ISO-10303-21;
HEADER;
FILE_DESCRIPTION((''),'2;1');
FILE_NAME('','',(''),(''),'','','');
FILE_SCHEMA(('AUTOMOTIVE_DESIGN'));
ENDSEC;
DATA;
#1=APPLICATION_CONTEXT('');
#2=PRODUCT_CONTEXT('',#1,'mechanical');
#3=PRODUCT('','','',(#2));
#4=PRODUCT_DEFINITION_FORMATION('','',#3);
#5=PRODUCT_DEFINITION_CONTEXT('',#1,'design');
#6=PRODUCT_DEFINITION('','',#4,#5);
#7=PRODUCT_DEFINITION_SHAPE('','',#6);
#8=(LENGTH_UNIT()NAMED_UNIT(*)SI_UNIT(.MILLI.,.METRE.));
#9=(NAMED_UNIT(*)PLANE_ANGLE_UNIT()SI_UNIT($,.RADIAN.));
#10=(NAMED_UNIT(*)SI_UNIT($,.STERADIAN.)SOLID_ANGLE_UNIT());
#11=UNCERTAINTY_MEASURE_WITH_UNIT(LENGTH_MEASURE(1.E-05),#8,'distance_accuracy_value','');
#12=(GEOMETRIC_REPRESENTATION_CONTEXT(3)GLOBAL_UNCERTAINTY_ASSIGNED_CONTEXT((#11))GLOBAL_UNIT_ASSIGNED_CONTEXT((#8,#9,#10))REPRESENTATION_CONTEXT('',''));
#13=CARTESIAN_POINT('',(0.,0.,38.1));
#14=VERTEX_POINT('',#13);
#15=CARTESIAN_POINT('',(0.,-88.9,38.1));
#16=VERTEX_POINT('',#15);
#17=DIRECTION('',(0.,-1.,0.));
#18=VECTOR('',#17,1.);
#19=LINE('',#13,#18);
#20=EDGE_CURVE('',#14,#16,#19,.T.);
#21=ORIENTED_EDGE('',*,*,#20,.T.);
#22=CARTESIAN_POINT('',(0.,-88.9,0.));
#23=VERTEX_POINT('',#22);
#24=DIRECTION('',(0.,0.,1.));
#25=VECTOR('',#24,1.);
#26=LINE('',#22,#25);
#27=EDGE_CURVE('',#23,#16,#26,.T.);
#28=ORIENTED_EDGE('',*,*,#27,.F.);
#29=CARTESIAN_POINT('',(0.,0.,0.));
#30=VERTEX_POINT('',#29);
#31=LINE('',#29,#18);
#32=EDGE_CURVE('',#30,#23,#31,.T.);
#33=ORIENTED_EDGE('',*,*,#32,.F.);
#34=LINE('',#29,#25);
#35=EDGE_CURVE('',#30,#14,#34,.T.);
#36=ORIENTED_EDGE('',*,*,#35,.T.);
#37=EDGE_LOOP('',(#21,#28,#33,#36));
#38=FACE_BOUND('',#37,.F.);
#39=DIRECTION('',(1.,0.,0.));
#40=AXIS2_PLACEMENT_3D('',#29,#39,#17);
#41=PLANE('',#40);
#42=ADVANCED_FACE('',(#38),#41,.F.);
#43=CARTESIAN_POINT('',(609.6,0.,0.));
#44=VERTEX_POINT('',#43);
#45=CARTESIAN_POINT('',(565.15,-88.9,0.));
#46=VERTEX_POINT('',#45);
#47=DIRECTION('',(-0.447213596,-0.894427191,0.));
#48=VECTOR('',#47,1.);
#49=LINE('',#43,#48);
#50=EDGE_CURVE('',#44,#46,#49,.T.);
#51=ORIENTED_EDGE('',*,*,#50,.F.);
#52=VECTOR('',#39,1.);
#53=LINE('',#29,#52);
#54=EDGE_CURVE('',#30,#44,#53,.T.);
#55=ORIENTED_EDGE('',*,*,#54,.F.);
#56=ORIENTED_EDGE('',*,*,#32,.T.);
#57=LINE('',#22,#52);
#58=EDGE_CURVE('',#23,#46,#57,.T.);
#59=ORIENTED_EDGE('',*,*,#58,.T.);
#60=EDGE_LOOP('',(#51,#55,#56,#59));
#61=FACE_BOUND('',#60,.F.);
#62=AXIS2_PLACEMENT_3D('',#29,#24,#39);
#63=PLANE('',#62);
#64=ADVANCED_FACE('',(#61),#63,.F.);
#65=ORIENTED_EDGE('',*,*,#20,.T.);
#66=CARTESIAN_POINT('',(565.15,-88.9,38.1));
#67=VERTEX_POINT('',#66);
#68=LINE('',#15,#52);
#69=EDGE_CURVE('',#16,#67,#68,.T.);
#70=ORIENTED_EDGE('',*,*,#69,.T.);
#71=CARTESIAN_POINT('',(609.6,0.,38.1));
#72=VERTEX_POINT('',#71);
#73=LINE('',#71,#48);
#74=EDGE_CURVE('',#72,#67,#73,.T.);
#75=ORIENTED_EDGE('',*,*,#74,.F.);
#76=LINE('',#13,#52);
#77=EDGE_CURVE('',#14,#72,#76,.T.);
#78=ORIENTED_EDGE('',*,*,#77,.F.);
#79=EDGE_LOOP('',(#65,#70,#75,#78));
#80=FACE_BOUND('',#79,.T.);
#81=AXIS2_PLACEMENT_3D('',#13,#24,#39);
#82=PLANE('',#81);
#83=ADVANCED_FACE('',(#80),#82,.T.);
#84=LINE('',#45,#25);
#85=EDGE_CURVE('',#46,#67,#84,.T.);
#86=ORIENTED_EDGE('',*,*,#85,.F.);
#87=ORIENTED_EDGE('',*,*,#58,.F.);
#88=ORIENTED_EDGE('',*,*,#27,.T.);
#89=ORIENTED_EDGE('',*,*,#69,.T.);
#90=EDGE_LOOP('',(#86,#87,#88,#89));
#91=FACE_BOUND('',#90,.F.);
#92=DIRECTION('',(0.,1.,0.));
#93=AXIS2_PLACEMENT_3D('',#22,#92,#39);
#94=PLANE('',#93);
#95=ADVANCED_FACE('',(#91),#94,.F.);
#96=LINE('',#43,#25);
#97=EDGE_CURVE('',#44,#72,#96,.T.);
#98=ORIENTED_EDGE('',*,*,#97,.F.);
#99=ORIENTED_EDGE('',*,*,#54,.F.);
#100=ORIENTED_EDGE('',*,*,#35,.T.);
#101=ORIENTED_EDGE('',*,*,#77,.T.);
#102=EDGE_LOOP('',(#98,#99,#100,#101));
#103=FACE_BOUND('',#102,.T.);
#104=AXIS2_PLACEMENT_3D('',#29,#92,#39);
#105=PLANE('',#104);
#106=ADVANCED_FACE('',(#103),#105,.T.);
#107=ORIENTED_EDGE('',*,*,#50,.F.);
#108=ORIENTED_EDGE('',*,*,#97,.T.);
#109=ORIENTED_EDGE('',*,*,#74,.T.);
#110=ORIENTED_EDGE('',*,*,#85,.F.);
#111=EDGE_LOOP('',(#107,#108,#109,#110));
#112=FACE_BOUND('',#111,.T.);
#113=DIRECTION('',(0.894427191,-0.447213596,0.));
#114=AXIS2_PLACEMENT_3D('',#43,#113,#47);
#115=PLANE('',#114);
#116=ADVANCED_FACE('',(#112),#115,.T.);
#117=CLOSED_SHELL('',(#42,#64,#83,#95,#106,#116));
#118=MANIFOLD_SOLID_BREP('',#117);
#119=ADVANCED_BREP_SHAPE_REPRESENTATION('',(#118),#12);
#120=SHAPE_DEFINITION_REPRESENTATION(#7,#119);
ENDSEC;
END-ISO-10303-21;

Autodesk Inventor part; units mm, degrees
ref_plane "YZ Plane" through (0, 0, 0) normal (1, 0, 0) x (0, 1, 0)
ref_plane "XZ Plane" through (0, 0, 0) normal (0, 1, 0) x (-1, 0, 0)
ref_plane "XY Plane" through (0, 0, 0) normal (0, 0, 1) x (1, 0, 0)
sketch "Sketch1" plane through (0, 0, 0) normal (0, 0, 1) x (1, 0, 0)
  line L0 (0, 0) -> (0, -1219.2)
  line L1 (0, 0) -> (609.6, 0)
  line L2 (609.6, 0) -> (0, -1219.2)
  line L3 (0, 0) -> (0, -88.9)
  line L4 (0, -88.9) -> (565.15, -88.9)
  dimension "d8" = 1219.2
  dimension "d9" = 609.6
  dimension "d10" = 88.9
extrude "Extrusion1" add sketch "Sketch1" along normal blind 38.1 contours L1 L2 L4 L0
properties part number "S_2x4x24"
